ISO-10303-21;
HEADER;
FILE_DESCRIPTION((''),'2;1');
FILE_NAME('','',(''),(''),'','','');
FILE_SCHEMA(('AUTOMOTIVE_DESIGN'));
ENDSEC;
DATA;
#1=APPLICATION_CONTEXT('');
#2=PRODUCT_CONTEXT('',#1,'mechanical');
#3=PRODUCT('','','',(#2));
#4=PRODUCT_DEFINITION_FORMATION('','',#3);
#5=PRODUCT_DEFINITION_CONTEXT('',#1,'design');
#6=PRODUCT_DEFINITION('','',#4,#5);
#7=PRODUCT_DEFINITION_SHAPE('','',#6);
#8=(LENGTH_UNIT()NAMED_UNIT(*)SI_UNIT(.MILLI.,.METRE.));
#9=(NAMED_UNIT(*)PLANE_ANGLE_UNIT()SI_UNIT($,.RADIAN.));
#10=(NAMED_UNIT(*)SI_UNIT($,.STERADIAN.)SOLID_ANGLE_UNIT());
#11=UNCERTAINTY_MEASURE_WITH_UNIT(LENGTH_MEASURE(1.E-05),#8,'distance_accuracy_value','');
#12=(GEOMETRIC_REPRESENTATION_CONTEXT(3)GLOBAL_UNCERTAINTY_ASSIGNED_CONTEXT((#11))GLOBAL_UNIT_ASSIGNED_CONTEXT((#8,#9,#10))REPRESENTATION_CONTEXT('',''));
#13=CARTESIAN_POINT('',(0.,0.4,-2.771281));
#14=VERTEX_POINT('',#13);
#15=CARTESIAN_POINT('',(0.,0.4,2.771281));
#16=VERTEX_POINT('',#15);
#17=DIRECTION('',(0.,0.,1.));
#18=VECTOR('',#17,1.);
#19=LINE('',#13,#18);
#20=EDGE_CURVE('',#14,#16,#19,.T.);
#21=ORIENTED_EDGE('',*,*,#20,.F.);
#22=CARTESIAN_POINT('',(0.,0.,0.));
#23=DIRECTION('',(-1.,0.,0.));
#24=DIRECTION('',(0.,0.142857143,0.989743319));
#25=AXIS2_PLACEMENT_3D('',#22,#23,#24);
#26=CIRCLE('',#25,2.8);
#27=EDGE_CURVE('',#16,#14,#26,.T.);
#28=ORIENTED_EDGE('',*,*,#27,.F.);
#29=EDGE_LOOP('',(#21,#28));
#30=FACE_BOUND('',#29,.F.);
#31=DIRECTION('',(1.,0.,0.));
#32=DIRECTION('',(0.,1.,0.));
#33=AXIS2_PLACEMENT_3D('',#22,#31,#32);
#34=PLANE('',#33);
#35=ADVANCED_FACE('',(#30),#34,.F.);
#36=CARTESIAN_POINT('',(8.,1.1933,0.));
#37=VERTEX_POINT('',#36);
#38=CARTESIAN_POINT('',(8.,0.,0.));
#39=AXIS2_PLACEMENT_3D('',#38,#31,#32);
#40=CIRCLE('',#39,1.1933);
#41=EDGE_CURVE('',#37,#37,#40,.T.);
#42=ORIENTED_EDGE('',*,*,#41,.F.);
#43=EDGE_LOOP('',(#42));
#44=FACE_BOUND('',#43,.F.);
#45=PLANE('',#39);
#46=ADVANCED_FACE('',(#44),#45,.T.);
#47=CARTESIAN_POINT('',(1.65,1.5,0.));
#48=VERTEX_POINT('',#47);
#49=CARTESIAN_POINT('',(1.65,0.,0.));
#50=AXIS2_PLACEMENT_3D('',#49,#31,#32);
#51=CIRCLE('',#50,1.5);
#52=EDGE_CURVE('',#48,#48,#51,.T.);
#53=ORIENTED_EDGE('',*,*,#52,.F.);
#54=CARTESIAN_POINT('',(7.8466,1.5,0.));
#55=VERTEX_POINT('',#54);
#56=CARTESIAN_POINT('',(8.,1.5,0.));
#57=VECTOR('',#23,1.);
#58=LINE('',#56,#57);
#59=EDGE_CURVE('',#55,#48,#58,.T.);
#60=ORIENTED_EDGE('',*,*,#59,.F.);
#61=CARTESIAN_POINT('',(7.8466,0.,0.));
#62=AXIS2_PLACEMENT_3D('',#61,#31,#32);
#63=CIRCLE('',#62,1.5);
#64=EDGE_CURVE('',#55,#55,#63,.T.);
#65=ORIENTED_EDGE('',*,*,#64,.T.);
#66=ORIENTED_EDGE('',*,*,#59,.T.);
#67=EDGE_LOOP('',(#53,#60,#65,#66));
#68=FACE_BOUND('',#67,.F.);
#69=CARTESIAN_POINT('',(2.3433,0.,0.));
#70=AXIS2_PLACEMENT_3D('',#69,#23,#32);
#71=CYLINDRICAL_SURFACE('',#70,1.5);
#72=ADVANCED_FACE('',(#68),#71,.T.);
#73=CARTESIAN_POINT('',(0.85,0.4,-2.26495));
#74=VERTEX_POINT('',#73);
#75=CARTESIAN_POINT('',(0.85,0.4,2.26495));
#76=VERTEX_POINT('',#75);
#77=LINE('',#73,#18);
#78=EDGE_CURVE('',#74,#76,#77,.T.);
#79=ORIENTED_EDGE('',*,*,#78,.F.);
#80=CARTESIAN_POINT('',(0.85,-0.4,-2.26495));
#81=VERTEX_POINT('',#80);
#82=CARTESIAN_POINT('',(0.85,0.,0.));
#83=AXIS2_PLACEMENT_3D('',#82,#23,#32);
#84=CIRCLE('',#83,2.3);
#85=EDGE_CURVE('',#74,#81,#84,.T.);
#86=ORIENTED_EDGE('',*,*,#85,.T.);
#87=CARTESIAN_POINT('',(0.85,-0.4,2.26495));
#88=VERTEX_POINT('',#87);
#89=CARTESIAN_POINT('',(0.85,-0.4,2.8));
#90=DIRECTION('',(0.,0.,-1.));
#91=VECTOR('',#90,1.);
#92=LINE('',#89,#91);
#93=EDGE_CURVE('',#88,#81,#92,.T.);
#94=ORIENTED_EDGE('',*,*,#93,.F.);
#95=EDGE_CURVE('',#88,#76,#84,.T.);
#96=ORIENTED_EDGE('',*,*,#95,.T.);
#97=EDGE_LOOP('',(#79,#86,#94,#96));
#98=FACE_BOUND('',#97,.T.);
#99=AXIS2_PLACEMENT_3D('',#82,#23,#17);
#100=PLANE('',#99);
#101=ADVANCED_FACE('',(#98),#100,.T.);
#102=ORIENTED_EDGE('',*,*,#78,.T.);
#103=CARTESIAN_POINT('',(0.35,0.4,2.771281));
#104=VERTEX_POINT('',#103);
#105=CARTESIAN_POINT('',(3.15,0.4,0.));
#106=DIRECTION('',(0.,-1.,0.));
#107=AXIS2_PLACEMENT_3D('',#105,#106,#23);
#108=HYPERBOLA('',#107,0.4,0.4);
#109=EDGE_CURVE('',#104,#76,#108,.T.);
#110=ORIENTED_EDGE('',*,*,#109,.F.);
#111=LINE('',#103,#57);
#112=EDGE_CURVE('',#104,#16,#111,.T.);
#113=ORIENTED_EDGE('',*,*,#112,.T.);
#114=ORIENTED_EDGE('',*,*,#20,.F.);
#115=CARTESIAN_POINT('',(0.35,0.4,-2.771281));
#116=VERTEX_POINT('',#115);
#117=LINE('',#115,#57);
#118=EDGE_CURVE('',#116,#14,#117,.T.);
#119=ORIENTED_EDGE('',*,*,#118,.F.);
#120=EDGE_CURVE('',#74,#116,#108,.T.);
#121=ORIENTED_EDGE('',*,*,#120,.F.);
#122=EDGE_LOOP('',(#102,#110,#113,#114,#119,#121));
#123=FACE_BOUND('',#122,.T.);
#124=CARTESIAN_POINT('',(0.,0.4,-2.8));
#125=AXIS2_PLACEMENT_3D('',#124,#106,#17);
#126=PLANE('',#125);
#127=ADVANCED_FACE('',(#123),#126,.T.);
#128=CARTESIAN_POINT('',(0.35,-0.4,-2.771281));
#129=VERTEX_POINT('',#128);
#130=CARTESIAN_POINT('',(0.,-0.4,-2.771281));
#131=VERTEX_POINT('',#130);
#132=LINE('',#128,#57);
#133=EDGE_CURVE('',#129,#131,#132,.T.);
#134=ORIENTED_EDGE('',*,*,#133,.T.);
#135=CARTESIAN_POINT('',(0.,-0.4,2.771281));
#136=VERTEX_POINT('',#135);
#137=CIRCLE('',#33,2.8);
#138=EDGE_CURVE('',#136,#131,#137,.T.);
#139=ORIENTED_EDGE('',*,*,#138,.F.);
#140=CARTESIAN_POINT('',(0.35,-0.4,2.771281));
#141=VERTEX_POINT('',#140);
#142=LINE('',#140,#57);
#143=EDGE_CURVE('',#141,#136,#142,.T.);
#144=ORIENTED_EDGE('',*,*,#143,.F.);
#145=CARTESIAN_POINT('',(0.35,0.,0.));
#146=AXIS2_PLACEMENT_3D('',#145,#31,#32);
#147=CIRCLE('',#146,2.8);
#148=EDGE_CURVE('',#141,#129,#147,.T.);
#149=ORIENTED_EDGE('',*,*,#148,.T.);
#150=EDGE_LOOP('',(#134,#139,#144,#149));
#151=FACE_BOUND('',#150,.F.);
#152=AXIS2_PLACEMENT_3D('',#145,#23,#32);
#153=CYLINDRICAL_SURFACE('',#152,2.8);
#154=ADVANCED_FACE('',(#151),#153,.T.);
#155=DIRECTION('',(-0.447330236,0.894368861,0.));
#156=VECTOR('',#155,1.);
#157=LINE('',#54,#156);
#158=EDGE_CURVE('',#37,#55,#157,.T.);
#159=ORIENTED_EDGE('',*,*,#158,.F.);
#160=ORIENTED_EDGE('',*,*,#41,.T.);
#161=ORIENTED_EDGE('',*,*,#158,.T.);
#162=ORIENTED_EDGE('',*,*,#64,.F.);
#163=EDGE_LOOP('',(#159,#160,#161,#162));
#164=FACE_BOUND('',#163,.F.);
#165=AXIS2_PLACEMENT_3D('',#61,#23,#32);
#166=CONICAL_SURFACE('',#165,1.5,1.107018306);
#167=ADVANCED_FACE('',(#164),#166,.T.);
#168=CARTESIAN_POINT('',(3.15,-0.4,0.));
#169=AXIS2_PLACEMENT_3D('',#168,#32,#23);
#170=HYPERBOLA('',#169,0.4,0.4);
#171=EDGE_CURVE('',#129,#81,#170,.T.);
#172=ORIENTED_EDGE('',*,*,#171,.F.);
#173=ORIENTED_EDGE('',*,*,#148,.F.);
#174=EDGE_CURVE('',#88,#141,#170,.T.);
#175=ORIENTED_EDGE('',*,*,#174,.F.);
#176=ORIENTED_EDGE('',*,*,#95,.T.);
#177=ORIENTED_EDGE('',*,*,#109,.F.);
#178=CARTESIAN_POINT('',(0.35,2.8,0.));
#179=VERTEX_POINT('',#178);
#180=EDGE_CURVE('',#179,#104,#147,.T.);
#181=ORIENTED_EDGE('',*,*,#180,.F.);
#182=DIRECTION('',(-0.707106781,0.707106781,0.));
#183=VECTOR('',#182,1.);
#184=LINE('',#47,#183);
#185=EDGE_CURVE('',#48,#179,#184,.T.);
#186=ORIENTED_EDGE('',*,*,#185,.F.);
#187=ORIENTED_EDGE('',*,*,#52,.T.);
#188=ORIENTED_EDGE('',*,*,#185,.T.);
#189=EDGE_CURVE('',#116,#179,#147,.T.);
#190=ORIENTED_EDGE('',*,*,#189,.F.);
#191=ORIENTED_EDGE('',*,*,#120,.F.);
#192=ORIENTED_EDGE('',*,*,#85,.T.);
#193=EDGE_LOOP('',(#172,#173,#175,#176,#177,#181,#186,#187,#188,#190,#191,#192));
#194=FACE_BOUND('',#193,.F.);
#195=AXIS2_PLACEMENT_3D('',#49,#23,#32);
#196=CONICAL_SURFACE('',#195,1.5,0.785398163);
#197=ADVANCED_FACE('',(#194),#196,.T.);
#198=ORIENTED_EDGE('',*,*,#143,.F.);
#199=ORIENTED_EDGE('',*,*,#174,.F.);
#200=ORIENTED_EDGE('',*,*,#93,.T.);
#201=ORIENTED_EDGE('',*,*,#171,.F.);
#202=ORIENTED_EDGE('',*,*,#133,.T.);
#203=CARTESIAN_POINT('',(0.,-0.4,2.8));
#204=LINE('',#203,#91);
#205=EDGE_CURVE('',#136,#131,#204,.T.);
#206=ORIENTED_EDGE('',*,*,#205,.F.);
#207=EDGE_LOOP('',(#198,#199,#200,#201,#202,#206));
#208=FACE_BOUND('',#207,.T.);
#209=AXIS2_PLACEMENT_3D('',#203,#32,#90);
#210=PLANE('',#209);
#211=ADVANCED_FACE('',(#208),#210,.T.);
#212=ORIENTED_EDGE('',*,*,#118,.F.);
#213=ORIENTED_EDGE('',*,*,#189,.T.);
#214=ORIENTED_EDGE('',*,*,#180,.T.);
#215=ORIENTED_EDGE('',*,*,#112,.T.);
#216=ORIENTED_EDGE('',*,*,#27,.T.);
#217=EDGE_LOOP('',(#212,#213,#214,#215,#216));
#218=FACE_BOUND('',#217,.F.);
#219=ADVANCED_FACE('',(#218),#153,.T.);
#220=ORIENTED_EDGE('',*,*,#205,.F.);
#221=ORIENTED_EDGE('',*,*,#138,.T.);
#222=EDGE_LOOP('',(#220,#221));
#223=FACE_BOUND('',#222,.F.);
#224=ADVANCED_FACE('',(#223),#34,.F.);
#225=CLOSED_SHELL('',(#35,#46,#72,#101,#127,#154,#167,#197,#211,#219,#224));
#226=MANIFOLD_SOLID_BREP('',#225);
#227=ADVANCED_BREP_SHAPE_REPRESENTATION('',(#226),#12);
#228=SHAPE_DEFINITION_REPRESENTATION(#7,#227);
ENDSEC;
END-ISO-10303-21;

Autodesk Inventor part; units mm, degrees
ref_plane "YZ Plane" through (0, 0, 0) normal (1, 0, 0) x (0, 1, 0)
ref_plane "XZ Plane" through (0, 0, 0) normal (0, 1, 0) x (-1, 0, 0)
sketch "Esquisse1" plane through (0, 0, 0) normal (0, 0, 1) x (1, 0, 0)
  line L0 (0, 0) -> (8, 0)
  line L1 (8, 0) -> (8, 1.5)
  line L2 (8, 1.5) -> (2.65, 1.5)
  line L3 (2.65, 1.5) -> (2.3433, 1.5)
  line L4 (2.3433, 1.5) -> (1.65, 1.5)
  line L5 (1.65, 1.5) -> (0.35, 2.8)
  line L6 (0.35, 2.8) -> (0, 2.8)
  line L7 (0, 2.8) -> (0, 0)
  line L8 (2.65, 1.5) -> (1.65, 1.5) construction
  line L9 (-1.6, 0) -> (9.6, 0) projected
  line L10 (0, 3.36) -> (0, -0.56) projected
  dimension "d0" = 8
  dimension "d1" = 45
  dimension "d2" = 0.3067
  dimension "d3" = 5.35
  dimension "d4" = 1.65
  dimension "d5" = 3
  dimension "d6" = 3
  dimension "d7" = 5.6
revolve "Corps" add sketch "Esquisse1" angle 360 about axis through (0, 0, 0) along (1, 0, 0)
sketch "Esquisse2" plane through (0, 0, 0) normal (-1, 0, 0) x (0, 0, 1)
  line L0 (2.8, -0.4) -> (-2.8, -0.4)
  line L1 (-2.8, -0.4) -> (-2.8, 0.4)
  line L2 (-2.8, 0.4) -> (2.8, 0.4)
  line L3 (2.8, 0.4) -> (2.8, -0.4)
  line L4 (0, 0.4) -> (0, -0.4) construction
  line L5 (-2.8, 0) -> (2.8, 0) construction
  line L6 (0, 2.8) -> (0, 0) projected
  dimension "d15" = 0.8
  dimension "d16" = 5.6
extrude "Rainure" cut sketch "Esquisse2" against normal blind 0.85
thread "Filetage" size "M3x0.5" class "6g" standard "ISO Metric profile" length 5.35
chamfer "Chanfrein1" distance 0.3067 distance2 0.1534 1 edges at (8, -1.5, 0) measured on face at (8, 0.263, 0.1197)
ref_plane "Work Plane1" through (33.575, 0, 0) normal (0, 0, -1) x (1, 0, 0)
equation "\"d0\" = NLG"
equation "\"d1\" = 0.5 * SEWI"
equation "\"d2\" = GAL"
equation "\"d3\" = GEL"
equation "\"d4\" = KOH"
equation "\"d5\" = BDM"
equation "\"d6\" = GD"
equation "\"d7\" = KOD"
equation "\"d15\" = SBR"
equation "\"d16\" = KOD"
equation "\"d8\" = STI"
equation "\"d10\" = GEL"
equation "\"d12\" = -0.5 * SPD + 0.5 * GD"
equation "\"d13\" = 0.5 * GAL"
equation "\"NLG\" = 8"
equation "\"GAL\" = 0.61345 * PTC"
equation "\"GEL\" = 5.35"
equation "\"KOH\" = 1.65"
equation "\"KOD\" = 5.6"
equation "\"SEWI\" = 90deg"
equation "\"BDM\" = NND"
equation "\"GD\" = NND"
equation "\"SBR\" = 0.8"
equation "\"STI\" = 0.85"
equation "\"SPD\" = NND - 1.2269 * PTC"
equation "\"GUL\" = 0.61345 * PTC"
equation "\"PTC\" = 0.5"
equation "\"EPV\" = 3.15"
equation "\"THREADDIA\" = 3"
equation "\"TOA\" = 30deg"
equation "\"NND\" = 3"
equation "\"GD1\" = THREADDIA - 1.2269 * PTC"
properties part number "DIN 963 - M3 x 8" material "Acier, doux"
